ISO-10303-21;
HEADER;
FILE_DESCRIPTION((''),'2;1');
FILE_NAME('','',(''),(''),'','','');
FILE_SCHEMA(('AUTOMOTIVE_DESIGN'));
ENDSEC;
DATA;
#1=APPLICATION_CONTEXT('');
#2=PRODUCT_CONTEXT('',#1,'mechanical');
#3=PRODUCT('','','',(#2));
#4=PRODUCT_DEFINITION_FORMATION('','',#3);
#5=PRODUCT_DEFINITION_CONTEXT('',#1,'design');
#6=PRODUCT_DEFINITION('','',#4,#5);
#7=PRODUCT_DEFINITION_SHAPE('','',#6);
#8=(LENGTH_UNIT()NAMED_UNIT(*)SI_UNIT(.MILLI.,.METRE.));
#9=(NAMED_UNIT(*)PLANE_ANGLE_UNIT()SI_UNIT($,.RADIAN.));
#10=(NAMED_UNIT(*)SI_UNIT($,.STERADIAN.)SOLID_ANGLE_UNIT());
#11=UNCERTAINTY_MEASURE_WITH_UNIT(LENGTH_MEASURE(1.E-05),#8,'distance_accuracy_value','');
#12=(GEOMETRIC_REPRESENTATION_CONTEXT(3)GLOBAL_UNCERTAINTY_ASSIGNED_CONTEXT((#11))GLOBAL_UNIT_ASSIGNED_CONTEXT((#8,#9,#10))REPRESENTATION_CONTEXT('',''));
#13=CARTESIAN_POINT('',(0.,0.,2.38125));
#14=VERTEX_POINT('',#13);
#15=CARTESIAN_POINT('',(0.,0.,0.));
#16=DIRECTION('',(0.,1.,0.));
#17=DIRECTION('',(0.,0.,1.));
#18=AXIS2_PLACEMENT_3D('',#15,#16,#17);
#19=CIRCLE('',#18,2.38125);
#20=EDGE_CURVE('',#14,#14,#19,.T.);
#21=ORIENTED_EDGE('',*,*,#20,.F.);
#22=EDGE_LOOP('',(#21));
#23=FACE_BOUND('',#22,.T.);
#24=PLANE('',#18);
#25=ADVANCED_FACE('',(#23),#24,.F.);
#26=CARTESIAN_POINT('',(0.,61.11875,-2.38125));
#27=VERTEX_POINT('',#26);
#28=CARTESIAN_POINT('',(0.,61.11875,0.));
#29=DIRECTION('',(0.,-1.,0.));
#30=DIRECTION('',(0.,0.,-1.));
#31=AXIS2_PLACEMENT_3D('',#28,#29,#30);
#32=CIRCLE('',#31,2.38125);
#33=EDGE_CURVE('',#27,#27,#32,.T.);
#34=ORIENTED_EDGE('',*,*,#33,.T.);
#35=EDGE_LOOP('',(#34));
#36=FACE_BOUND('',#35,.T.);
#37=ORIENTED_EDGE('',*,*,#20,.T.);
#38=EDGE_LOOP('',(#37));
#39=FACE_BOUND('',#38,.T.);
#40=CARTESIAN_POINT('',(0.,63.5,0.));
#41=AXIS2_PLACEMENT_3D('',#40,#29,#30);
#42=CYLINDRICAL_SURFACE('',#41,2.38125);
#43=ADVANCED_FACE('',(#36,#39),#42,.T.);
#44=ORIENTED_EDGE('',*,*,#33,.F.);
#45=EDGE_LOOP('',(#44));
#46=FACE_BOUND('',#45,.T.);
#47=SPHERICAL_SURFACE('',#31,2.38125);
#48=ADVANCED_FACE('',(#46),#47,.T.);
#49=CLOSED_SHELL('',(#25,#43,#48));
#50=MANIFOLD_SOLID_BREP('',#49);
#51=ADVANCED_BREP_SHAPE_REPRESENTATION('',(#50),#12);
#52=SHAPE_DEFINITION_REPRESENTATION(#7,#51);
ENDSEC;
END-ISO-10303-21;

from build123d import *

# Parameters (mm, degrees)
SKETCH1_R      = 2.38125
EXTRUDE1_DEPTH = 63.5
FILLET1_R      = 2.38125


with BuildPart() as part:
    # Sketch1 → Extrude1 (new body)
    with BuildSketch(Plane(origin=(0, 0, 0), x_dir=(1, 0, 0), z_dir=(0, 1, 0))):
        with Locations(Location((0, 0, 0), (0, 0, 270))):
            Circle(SKETCH1_R)
    extrude(amount=EXTRUDE1_DEPTH)

    # Fillet1
    fillet1_edges = [part.edges().sort_by_distance(p)[0] for p in [
        (0, 63.5, -2.38125),
    ]]
    fillet(fillet1_edges, radius=FILLET1_R)


solid = part.part
